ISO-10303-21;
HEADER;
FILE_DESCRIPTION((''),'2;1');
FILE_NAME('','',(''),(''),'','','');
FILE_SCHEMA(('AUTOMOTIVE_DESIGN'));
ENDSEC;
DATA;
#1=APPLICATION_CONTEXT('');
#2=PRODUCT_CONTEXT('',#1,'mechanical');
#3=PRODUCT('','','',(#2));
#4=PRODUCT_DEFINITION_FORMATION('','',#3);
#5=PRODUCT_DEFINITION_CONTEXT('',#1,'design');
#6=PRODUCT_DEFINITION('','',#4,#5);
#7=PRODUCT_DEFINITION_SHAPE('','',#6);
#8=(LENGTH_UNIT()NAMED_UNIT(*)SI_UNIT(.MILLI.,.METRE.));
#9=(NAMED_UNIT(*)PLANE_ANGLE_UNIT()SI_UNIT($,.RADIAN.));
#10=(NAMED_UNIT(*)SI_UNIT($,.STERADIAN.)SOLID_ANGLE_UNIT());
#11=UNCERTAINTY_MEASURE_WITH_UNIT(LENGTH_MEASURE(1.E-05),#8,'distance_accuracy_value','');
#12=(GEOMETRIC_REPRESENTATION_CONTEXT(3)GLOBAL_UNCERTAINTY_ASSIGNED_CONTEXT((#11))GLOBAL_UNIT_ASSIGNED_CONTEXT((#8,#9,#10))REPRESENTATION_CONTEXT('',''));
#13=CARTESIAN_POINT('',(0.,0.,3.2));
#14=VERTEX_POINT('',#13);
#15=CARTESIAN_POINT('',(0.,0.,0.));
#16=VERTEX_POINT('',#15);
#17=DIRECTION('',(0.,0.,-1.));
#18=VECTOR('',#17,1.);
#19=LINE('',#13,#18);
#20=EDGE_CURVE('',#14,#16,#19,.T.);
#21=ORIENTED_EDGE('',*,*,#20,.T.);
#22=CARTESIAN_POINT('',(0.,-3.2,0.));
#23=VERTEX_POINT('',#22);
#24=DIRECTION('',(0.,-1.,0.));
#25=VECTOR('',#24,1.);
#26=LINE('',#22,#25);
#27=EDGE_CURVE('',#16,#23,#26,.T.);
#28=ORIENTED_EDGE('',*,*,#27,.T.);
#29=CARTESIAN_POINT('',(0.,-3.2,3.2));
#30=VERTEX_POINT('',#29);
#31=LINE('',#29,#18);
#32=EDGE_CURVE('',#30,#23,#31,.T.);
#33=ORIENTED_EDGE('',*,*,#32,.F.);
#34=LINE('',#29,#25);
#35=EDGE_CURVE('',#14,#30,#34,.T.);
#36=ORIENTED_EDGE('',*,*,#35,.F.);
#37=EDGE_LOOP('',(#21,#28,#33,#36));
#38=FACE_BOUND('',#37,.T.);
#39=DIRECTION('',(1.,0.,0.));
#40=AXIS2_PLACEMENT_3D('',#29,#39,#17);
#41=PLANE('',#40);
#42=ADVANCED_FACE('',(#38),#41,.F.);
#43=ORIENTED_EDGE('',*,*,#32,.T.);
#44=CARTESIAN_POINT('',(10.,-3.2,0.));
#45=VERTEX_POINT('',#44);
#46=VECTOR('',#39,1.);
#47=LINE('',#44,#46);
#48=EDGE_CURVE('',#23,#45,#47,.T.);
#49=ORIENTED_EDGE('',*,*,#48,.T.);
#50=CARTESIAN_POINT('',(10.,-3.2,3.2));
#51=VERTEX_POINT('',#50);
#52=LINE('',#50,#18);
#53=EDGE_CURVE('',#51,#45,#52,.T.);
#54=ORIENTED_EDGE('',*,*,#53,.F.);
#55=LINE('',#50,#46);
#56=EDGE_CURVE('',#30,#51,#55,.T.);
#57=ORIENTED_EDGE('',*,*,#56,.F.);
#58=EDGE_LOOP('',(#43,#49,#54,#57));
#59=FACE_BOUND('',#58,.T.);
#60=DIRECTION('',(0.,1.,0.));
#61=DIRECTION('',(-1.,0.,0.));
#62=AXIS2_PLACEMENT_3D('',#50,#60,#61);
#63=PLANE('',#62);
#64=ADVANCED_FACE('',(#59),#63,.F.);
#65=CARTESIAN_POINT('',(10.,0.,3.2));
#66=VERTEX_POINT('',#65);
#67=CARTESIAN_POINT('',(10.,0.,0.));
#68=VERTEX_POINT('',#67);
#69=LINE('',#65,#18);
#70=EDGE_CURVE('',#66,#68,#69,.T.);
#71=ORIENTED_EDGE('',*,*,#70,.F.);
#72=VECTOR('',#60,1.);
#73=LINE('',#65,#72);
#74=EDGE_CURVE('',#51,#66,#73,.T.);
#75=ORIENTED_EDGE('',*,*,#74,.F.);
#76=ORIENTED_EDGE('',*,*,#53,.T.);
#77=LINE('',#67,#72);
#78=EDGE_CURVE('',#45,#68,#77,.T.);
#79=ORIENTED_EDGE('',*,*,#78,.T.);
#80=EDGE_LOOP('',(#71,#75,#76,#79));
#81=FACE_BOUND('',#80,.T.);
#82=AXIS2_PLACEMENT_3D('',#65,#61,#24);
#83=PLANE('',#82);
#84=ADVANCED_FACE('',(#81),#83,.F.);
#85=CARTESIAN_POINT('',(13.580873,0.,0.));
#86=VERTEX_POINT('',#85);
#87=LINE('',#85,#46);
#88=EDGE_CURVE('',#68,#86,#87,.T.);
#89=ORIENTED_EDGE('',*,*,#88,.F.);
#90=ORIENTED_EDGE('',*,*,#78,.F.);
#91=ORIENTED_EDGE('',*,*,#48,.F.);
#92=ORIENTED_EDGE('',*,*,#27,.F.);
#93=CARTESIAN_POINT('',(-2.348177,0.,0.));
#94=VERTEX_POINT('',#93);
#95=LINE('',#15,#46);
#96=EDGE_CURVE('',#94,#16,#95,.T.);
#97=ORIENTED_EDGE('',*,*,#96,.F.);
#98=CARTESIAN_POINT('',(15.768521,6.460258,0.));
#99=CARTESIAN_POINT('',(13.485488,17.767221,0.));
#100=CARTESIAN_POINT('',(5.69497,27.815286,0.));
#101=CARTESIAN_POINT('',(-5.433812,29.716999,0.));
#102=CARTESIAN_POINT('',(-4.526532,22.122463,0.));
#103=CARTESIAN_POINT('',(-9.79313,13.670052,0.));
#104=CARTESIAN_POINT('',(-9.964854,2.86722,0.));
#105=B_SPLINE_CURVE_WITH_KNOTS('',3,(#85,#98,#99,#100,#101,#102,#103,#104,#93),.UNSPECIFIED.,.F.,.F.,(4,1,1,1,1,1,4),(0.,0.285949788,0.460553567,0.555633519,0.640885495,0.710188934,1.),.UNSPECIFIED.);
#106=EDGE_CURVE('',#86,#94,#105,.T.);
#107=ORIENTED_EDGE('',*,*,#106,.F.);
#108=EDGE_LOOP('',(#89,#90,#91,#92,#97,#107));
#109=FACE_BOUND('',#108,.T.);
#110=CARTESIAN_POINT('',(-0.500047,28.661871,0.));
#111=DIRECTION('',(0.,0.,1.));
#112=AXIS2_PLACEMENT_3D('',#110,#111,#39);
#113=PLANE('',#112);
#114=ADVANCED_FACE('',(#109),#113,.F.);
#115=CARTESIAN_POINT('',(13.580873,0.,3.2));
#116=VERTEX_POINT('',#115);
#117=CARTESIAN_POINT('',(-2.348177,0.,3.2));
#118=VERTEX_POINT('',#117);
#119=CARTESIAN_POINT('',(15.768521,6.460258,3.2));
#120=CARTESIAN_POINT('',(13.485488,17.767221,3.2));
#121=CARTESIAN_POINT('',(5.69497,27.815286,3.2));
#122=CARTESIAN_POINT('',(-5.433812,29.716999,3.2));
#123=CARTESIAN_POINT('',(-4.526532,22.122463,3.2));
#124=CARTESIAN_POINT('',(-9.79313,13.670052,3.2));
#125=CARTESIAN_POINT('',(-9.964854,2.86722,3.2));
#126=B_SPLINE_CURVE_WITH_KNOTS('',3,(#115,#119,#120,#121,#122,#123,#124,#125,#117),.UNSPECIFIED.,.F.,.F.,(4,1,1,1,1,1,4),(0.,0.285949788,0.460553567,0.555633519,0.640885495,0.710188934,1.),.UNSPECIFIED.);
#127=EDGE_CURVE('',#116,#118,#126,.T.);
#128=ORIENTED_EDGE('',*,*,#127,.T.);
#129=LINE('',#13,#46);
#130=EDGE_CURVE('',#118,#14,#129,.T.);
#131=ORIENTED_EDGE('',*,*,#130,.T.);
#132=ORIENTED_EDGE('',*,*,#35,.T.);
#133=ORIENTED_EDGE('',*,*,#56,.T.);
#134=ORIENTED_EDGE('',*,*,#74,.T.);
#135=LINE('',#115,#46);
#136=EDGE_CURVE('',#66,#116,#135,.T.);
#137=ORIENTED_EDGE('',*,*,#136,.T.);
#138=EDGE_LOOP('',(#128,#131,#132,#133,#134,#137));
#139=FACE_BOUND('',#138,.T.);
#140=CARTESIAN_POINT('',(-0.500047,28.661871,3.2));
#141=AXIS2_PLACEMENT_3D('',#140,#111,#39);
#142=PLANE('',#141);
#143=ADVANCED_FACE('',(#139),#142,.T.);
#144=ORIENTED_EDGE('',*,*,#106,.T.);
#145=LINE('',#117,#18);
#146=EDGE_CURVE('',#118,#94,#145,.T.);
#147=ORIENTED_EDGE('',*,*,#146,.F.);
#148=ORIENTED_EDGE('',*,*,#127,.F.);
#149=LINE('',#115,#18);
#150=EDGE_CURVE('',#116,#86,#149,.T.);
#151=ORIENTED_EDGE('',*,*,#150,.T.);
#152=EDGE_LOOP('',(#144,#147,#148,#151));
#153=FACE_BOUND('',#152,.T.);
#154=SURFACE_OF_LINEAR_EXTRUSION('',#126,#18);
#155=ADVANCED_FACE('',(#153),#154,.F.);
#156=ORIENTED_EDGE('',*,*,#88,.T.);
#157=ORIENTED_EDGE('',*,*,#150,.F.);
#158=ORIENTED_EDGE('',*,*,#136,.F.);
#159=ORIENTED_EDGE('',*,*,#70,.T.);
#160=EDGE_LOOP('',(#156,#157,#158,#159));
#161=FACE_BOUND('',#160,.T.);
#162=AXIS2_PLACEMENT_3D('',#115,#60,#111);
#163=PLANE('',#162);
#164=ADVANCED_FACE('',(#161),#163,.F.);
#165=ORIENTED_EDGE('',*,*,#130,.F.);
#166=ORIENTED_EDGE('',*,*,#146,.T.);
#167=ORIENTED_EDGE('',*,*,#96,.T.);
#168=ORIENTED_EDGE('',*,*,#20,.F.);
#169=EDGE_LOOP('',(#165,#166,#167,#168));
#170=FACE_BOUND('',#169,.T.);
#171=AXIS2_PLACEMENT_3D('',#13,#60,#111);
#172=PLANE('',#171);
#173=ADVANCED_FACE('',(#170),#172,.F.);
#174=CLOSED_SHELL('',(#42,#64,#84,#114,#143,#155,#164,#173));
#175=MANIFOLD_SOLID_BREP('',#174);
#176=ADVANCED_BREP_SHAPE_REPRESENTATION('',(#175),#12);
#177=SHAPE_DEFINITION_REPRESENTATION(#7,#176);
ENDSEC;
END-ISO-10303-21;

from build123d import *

# Parameters (mm, degrees)
BOSS_EXTRUDE1_DEPTH = 3.2


with BuildPart() as part:
    # Sketch1 → Boss-Extrude1 (new body)
    with BuildSketch(Plane.XY):
        with BuildLine():
            Line((0, 0), (-2.348176738, 0))
            add(Edge.make_bspline(
                [(-2.348176738, 0), (-9.964854367, 2.867219736), (-9.793130478, 13.670052179), (-4.526532464, 22.122463184), (-5.433811762, 29.716998895), (5.694969977, 27.8152859), (13.485488092, 17.76722066), (15.768521288, 6.460257665), (13.580872951, 0)],
                knots=[0, 0, 0, 0, 0.289811066, 0.359114505, 0.444366481, 0.539446433, 0.714050212, 1, 1, 1, 1], degree=3))
            Line((13.580872951, 0), (10, 0))
            Line((10, 0), (10, -3.2))
            Line((10, -3.2), (0, -3.2))
            Line((0, -3.2), (0, 0))
        make_face()
    extrude(amount=BOSS_EXTRUDE1_DEPTH)


solid = part.part
